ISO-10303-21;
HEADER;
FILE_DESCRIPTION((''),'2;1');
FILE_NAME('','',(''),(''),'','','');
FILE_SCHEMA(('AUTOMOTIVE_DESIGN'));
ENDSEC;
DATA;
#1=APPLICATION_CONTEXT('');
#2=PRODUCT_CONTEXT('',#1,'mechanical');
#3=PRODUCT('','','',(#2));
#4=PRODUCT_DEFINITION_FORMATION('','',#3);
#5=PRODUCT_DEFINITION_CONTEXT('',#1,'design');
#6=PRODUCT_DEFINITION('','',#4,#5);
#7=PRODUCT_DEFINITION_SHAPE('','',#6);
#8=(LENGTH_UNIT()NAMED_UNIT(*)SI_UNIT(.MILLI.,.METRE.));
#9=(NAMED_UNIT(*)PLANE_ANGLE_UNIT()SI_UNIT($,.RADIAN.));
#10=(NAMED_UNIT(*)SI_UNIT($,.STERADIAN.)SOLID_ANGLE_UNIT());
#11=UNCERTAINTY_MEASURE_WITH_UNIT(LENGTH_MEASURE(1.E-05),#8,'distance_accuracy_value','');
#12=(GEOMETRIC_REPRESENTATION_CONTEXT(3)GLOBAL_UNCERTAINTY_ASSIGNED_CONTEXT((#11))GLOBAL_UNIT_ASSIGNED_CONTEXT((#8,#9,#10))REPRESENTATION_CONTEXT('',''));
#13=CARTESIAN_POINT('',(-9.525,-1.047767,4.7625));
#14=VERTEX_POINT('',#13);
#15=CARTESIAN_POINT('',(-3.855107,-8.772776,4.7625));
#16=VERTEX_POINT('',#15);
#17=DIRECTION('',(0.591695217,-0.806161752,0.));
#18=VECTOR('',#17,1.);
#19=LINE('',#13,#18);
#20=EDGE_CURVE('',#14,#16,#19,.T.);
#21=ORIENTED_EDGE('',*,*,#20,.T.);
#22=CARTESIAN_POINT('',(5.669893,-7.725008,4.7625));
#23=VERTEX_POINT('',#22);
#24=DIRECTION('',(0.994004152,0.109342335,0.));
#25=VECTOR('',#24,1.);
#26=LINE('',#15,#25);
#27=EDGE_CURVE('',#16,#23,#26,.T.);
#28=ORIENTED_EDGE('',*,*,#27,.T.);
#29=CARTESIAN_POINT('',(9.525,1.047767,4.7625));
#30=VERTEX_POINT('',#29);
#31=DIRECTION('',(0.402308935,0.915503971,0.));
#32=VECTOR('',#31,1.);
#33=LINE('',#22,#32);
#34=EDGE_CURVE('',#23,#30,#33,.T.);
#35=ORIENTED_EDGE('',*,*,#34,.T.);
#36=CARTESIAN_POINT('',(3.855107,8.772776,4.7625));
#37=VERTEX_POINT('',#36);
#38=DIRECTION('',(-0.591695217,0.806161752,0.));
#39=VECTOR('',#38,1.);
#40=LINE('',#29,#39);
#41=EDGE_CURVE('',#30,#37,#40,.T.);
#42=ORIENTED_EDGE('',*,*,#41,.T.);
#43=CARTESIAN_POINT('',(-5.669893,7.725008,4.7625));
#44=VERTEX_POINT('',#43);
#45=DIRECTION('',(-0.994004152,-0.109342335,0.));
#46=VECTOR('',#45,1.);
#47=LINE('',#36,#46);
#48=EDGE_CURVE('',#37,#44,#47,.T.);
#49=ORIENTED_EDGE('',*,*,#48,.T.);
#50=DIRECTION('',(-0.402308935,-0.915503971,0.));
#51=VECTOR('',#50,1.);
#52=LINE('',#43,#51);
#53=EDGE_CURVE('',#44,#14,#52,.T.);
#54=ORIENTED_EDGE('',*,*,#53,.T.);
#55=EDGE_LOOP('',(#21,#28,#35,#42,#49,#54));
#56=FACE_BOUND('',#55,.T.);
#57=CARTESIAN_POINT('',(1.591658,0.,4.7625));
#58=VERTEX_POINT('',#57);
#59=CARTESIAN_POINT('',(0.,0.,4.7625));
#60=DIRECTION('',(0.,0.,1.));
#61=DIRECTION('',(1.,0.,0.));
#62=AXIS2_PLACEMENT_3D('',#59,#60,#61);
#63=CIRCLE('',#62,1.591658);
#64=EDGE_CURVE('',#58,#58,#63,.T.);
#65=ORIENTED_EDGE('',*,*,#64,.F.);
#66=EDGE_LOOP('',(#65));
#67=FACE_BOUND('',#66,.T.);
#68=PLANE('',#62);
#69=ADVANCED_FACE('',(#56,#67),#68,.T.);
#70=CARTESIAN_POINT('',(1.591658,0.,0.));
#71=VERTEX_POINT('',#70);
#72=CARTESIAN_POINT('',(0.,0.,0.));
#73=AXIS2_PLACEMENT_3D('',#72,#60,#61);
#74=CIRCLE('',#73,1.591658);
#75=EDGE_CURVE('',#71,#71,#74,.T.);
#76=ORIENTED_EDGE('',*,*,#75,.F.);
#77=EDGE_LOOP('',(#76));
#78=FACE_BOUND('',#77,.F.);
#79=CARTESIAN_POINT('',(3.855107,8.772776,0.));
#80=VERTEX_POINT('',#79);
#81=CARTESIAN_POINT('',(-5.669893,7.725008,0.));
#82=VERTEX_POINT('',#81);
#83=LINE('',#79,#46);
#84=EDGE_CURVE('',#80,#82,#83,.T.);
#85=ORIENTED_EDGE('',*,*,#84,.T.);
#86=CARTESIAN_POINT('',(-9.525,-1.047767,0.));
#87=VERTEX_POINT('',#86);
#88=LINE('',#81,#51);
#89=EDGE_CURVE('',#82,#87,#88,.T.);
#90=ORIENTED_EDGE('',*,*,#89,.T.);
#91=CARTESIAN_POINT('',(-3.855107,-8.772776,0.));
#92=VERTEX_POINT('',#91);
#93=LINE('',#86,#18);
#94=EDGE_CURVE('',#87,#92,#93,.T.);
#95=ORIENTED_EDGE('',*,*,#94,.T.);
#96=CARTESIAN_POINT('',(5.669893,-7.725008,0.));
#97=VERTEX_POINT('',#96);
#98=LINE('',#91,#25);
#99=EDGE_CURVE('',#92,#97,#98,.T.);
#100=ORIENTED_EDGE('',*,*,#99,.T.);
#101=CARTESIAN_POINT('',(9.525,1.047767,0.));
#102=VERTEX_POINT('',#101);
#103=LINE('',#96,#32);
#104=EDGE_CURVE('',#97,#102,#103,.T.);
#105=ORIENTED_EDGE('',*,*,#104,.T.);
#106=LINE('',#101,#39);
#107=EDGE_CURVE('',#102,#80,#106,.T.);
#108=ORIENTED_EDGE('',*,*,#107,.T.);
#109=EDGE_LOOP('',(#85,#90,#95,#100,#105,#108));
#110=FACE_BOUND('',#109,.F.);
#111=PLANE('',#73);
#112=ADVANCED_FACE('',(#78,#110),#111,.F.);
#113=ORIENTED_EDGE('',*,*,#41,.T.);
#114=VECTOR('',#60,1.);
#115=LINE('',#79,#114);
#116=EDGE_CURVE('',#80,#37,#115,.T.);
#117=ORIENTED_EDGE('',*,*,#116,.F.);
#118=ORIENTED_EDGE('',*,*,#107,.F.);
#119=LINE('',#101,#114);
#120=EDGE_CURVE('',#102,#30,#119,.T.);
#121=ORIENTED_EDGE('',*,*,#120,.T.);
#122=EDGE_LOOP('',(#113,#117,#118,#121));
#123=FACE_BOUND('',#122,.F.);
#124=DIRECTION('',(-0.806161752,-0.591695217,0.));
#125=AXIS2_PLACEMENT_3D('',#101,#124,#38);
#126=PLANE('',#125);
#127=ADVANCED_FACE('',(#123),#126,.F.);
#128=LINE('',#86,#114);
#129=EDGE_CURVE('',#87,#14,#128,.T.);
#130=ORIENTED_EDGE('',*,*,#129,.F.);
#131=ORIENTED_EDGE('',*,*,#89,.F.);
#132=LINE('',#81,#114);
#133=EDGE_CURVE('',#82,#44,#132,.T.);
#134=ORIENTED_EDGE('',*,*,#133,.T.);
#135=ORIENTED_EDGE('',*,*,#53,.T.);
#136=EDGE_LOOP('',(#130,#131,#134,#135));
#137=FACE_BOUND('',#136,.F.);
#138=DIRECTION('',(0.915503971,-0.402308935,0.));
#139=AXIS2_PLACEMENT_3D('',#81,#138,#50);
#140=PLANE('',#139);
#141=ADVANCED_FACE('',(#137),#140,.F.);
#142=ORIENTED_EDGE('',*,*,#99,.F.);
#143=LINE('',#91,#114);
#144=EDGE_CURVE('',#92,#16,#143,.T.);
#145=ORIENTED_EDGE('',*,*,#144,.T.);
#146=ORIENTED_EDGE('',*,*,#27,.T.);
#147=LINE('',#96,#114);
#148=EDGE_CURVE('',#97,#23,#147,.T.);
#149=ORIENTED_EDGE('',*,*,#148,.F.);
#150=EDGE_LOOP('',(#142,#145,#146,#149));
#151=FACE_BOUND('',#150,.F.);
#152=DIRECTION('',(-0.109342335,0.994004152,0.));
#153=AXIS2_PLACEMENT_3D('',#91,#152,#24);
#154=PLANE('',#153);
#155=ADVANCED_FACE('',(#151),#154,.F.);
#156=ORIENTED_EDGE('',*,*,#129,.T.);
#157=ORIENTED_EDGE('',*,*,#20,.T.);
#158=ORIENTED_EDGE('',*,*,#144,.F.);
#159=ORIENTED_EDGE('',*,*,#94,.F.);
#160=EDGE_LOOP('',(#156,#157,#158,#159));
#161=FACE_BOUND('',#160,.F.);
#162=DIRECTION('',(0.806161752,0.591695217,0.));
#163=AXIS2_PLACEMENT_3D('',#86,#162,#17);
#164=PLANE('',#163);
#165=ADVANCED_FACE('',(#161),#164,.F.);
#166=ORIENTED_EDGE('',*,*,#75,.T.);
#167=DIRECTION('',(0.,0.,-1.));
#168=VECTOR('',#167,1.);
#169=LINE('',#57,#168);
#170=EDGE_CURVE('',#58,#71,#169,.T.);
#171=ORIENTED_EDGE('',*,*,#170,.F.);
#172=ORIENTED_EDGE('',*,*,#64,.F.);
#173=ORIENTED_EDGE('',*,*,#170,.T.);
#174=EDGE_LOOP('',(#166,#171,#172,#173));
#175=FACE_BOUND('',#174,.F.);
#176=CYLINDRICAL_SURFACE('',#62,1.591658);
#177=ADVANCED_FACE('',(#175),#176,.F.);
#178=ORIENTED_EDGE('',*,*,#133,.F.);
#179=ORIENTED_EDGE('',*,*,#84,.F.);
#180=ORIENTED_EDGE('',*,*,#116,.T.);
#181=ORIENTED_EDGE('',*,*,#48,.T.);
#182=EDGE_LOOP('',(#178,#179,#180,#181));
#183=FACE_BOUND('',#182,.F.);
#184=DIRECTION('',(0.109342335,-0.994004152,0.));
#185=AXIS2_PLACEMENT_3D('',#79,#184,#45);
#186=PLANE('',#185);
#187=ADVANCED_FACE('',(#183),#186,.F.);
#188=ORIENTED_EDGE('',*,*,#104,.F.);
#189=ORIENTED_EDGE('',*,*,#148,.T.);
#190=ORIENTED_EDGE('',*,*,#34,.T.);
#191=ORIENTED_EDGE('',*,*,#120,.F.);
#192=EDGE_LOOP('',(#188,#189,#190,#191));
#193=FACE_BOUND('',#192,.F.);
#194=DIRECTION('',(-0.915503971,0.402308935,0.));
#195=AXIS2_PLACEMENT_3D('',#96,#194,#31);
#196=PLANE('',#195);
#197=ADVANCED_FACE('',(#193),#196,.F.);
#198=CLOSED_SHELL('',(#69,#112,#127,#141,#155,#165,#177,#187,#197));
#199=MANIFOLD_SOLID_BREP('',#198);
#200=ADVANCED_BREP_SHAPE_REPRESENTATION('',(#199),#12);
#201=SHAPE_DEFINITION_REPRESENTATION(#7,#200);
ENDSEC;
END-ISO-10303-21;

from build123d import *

# Parameters (mm, degrees)
F1_DEPTH = 4.7625
F2_R     = 1.591658
F3_DEPTH = 9.525


with BuildPart() as f1:
    # F0 (on Top) → F1 (new body)
    with BuildSketch(Plane.XY):
        Polygon((-9.525, -1.047767), (-3.855107, -8.772776), (5.669893, -7.725008), (9.525, 1.047767), (3.855107, 8.772776), (-5.669893, 7.725008), align=None)
    extrude(amount=F1_DEPTH)

    # F2 (on face) → F3 (cut)
    with BuildSketch(Plane.XY.offset(4.7625)):
        Circle(F2_R)
    extrude(amount=-F3_DEPTH, mode=Mode.SUBTRACT)


solid = f1.part
